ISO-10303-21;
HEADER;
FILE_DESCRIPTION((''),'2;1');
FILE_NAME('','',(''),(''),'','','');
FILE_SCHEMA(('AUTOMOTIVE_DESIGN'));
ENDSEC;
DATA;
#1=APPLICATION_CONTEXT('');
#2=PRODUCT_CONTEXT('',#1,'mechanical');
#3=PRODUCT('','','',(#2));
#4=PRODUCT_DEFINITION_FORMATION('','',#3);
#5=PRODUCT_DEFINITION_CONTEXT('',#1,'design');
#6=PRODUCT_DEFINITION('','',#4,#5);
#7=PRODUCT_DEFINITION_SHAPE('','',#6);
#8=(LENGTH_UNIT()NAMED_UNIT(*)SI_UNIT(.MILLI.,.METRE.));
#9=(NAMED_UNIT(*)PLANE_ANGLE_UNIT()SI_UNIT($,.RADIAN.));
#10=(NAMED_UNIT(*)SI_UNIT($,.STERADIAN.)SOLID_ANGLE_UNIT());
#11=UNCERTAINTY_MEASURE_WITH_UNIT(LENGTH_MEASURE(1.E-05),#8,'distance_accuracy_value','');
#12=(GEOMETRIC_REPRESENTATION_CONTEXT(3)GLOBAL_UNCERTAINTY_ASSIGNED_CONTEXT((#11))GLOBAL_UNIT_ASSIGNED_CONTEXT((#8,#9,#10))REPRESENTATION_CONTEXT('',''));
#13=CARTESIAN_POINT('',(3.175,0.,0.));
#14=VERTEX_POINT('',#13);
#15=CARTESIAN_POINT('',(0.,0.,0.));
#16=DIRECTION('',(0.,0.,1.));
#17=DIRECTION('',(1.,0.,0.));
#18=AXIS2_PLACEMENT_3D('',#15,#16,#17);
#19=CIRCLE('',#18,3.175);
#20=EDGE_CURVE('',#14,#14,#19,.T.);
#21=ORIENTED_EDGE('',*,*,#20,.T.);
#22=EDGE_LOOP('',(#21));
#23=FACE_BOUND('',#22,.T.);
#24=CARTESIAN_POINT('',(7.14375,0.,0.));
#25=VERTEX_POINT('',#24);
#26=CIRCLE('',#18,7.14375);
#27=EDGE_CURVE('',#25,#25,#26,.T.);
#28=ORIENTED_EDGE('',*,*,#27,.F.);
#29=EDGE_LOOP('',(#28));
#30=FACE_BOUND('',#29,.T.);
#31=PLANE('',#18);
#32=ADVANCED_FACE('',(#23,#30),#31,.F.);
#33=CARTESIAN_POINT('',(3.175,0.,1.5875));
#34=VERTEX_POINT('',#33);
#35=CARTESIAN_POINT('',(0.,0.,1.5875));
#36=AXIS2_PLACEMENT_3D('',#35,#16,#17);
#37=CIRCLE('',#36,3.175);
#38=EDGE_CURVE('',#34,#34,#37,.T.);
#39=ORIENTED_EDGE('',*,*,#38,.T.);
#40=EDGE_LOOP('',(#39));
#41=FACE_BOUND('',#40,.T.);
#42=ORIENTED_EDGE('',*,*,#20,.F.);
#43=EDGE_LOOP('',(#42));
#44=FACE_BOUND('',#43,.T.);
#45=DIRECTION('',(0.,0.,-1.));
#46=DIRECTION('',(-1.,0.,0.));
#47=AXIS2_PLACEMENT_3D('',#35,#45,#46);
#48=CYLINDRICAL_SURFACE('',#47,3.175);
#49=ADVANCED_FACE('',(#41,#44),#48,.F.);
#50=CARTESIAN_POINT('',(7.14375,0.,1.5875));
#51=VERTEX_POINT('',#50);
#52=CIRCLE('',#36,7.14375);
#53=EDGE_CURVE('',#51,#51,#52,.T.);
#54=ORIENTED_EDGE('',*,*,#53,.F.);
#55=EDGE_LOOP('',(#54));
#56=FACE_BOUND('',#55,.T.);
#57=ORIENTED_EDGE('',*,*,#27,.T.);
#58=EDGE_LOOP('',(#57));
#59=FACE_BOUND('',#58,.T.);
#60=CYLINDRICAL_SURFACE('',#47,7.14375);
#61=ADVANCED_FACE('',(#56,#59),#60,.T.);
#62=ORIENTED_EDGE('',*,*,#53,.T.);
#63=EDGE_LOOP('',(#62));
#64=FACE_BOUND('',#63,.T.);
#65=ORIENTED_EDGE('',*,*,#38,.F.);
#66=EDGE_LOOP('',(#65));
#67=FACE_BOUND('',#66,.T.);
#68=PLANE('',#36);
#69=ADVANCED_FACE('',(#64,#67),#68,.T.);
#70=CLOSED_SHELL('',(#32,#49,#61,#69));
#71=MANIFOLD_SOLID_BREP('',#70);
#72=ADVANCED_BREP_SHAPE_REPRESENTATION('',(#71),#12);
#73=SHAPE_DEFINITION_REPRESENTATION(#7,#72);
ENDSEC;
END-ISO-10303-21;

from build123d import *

# Parameters (mm, degrees)
SKETCH1_R           = 7.14375
SKETCH1_R_2         = 3.175
BOSS_EXTRUDE1_DEPTH = 1.5875


with BuildPart() as part:
    # Sketch1 → Boss-Extrude1 (new body)
    with BuildSketch(Plane.XY):
        Circle(SKETCH1_R)
        Circle(SKETCH1_R_2, mode=Mode.SUBTRACT)
    extrude(amount=BOSS_EXTRUDE1_DEPTH)


solid = part.part
